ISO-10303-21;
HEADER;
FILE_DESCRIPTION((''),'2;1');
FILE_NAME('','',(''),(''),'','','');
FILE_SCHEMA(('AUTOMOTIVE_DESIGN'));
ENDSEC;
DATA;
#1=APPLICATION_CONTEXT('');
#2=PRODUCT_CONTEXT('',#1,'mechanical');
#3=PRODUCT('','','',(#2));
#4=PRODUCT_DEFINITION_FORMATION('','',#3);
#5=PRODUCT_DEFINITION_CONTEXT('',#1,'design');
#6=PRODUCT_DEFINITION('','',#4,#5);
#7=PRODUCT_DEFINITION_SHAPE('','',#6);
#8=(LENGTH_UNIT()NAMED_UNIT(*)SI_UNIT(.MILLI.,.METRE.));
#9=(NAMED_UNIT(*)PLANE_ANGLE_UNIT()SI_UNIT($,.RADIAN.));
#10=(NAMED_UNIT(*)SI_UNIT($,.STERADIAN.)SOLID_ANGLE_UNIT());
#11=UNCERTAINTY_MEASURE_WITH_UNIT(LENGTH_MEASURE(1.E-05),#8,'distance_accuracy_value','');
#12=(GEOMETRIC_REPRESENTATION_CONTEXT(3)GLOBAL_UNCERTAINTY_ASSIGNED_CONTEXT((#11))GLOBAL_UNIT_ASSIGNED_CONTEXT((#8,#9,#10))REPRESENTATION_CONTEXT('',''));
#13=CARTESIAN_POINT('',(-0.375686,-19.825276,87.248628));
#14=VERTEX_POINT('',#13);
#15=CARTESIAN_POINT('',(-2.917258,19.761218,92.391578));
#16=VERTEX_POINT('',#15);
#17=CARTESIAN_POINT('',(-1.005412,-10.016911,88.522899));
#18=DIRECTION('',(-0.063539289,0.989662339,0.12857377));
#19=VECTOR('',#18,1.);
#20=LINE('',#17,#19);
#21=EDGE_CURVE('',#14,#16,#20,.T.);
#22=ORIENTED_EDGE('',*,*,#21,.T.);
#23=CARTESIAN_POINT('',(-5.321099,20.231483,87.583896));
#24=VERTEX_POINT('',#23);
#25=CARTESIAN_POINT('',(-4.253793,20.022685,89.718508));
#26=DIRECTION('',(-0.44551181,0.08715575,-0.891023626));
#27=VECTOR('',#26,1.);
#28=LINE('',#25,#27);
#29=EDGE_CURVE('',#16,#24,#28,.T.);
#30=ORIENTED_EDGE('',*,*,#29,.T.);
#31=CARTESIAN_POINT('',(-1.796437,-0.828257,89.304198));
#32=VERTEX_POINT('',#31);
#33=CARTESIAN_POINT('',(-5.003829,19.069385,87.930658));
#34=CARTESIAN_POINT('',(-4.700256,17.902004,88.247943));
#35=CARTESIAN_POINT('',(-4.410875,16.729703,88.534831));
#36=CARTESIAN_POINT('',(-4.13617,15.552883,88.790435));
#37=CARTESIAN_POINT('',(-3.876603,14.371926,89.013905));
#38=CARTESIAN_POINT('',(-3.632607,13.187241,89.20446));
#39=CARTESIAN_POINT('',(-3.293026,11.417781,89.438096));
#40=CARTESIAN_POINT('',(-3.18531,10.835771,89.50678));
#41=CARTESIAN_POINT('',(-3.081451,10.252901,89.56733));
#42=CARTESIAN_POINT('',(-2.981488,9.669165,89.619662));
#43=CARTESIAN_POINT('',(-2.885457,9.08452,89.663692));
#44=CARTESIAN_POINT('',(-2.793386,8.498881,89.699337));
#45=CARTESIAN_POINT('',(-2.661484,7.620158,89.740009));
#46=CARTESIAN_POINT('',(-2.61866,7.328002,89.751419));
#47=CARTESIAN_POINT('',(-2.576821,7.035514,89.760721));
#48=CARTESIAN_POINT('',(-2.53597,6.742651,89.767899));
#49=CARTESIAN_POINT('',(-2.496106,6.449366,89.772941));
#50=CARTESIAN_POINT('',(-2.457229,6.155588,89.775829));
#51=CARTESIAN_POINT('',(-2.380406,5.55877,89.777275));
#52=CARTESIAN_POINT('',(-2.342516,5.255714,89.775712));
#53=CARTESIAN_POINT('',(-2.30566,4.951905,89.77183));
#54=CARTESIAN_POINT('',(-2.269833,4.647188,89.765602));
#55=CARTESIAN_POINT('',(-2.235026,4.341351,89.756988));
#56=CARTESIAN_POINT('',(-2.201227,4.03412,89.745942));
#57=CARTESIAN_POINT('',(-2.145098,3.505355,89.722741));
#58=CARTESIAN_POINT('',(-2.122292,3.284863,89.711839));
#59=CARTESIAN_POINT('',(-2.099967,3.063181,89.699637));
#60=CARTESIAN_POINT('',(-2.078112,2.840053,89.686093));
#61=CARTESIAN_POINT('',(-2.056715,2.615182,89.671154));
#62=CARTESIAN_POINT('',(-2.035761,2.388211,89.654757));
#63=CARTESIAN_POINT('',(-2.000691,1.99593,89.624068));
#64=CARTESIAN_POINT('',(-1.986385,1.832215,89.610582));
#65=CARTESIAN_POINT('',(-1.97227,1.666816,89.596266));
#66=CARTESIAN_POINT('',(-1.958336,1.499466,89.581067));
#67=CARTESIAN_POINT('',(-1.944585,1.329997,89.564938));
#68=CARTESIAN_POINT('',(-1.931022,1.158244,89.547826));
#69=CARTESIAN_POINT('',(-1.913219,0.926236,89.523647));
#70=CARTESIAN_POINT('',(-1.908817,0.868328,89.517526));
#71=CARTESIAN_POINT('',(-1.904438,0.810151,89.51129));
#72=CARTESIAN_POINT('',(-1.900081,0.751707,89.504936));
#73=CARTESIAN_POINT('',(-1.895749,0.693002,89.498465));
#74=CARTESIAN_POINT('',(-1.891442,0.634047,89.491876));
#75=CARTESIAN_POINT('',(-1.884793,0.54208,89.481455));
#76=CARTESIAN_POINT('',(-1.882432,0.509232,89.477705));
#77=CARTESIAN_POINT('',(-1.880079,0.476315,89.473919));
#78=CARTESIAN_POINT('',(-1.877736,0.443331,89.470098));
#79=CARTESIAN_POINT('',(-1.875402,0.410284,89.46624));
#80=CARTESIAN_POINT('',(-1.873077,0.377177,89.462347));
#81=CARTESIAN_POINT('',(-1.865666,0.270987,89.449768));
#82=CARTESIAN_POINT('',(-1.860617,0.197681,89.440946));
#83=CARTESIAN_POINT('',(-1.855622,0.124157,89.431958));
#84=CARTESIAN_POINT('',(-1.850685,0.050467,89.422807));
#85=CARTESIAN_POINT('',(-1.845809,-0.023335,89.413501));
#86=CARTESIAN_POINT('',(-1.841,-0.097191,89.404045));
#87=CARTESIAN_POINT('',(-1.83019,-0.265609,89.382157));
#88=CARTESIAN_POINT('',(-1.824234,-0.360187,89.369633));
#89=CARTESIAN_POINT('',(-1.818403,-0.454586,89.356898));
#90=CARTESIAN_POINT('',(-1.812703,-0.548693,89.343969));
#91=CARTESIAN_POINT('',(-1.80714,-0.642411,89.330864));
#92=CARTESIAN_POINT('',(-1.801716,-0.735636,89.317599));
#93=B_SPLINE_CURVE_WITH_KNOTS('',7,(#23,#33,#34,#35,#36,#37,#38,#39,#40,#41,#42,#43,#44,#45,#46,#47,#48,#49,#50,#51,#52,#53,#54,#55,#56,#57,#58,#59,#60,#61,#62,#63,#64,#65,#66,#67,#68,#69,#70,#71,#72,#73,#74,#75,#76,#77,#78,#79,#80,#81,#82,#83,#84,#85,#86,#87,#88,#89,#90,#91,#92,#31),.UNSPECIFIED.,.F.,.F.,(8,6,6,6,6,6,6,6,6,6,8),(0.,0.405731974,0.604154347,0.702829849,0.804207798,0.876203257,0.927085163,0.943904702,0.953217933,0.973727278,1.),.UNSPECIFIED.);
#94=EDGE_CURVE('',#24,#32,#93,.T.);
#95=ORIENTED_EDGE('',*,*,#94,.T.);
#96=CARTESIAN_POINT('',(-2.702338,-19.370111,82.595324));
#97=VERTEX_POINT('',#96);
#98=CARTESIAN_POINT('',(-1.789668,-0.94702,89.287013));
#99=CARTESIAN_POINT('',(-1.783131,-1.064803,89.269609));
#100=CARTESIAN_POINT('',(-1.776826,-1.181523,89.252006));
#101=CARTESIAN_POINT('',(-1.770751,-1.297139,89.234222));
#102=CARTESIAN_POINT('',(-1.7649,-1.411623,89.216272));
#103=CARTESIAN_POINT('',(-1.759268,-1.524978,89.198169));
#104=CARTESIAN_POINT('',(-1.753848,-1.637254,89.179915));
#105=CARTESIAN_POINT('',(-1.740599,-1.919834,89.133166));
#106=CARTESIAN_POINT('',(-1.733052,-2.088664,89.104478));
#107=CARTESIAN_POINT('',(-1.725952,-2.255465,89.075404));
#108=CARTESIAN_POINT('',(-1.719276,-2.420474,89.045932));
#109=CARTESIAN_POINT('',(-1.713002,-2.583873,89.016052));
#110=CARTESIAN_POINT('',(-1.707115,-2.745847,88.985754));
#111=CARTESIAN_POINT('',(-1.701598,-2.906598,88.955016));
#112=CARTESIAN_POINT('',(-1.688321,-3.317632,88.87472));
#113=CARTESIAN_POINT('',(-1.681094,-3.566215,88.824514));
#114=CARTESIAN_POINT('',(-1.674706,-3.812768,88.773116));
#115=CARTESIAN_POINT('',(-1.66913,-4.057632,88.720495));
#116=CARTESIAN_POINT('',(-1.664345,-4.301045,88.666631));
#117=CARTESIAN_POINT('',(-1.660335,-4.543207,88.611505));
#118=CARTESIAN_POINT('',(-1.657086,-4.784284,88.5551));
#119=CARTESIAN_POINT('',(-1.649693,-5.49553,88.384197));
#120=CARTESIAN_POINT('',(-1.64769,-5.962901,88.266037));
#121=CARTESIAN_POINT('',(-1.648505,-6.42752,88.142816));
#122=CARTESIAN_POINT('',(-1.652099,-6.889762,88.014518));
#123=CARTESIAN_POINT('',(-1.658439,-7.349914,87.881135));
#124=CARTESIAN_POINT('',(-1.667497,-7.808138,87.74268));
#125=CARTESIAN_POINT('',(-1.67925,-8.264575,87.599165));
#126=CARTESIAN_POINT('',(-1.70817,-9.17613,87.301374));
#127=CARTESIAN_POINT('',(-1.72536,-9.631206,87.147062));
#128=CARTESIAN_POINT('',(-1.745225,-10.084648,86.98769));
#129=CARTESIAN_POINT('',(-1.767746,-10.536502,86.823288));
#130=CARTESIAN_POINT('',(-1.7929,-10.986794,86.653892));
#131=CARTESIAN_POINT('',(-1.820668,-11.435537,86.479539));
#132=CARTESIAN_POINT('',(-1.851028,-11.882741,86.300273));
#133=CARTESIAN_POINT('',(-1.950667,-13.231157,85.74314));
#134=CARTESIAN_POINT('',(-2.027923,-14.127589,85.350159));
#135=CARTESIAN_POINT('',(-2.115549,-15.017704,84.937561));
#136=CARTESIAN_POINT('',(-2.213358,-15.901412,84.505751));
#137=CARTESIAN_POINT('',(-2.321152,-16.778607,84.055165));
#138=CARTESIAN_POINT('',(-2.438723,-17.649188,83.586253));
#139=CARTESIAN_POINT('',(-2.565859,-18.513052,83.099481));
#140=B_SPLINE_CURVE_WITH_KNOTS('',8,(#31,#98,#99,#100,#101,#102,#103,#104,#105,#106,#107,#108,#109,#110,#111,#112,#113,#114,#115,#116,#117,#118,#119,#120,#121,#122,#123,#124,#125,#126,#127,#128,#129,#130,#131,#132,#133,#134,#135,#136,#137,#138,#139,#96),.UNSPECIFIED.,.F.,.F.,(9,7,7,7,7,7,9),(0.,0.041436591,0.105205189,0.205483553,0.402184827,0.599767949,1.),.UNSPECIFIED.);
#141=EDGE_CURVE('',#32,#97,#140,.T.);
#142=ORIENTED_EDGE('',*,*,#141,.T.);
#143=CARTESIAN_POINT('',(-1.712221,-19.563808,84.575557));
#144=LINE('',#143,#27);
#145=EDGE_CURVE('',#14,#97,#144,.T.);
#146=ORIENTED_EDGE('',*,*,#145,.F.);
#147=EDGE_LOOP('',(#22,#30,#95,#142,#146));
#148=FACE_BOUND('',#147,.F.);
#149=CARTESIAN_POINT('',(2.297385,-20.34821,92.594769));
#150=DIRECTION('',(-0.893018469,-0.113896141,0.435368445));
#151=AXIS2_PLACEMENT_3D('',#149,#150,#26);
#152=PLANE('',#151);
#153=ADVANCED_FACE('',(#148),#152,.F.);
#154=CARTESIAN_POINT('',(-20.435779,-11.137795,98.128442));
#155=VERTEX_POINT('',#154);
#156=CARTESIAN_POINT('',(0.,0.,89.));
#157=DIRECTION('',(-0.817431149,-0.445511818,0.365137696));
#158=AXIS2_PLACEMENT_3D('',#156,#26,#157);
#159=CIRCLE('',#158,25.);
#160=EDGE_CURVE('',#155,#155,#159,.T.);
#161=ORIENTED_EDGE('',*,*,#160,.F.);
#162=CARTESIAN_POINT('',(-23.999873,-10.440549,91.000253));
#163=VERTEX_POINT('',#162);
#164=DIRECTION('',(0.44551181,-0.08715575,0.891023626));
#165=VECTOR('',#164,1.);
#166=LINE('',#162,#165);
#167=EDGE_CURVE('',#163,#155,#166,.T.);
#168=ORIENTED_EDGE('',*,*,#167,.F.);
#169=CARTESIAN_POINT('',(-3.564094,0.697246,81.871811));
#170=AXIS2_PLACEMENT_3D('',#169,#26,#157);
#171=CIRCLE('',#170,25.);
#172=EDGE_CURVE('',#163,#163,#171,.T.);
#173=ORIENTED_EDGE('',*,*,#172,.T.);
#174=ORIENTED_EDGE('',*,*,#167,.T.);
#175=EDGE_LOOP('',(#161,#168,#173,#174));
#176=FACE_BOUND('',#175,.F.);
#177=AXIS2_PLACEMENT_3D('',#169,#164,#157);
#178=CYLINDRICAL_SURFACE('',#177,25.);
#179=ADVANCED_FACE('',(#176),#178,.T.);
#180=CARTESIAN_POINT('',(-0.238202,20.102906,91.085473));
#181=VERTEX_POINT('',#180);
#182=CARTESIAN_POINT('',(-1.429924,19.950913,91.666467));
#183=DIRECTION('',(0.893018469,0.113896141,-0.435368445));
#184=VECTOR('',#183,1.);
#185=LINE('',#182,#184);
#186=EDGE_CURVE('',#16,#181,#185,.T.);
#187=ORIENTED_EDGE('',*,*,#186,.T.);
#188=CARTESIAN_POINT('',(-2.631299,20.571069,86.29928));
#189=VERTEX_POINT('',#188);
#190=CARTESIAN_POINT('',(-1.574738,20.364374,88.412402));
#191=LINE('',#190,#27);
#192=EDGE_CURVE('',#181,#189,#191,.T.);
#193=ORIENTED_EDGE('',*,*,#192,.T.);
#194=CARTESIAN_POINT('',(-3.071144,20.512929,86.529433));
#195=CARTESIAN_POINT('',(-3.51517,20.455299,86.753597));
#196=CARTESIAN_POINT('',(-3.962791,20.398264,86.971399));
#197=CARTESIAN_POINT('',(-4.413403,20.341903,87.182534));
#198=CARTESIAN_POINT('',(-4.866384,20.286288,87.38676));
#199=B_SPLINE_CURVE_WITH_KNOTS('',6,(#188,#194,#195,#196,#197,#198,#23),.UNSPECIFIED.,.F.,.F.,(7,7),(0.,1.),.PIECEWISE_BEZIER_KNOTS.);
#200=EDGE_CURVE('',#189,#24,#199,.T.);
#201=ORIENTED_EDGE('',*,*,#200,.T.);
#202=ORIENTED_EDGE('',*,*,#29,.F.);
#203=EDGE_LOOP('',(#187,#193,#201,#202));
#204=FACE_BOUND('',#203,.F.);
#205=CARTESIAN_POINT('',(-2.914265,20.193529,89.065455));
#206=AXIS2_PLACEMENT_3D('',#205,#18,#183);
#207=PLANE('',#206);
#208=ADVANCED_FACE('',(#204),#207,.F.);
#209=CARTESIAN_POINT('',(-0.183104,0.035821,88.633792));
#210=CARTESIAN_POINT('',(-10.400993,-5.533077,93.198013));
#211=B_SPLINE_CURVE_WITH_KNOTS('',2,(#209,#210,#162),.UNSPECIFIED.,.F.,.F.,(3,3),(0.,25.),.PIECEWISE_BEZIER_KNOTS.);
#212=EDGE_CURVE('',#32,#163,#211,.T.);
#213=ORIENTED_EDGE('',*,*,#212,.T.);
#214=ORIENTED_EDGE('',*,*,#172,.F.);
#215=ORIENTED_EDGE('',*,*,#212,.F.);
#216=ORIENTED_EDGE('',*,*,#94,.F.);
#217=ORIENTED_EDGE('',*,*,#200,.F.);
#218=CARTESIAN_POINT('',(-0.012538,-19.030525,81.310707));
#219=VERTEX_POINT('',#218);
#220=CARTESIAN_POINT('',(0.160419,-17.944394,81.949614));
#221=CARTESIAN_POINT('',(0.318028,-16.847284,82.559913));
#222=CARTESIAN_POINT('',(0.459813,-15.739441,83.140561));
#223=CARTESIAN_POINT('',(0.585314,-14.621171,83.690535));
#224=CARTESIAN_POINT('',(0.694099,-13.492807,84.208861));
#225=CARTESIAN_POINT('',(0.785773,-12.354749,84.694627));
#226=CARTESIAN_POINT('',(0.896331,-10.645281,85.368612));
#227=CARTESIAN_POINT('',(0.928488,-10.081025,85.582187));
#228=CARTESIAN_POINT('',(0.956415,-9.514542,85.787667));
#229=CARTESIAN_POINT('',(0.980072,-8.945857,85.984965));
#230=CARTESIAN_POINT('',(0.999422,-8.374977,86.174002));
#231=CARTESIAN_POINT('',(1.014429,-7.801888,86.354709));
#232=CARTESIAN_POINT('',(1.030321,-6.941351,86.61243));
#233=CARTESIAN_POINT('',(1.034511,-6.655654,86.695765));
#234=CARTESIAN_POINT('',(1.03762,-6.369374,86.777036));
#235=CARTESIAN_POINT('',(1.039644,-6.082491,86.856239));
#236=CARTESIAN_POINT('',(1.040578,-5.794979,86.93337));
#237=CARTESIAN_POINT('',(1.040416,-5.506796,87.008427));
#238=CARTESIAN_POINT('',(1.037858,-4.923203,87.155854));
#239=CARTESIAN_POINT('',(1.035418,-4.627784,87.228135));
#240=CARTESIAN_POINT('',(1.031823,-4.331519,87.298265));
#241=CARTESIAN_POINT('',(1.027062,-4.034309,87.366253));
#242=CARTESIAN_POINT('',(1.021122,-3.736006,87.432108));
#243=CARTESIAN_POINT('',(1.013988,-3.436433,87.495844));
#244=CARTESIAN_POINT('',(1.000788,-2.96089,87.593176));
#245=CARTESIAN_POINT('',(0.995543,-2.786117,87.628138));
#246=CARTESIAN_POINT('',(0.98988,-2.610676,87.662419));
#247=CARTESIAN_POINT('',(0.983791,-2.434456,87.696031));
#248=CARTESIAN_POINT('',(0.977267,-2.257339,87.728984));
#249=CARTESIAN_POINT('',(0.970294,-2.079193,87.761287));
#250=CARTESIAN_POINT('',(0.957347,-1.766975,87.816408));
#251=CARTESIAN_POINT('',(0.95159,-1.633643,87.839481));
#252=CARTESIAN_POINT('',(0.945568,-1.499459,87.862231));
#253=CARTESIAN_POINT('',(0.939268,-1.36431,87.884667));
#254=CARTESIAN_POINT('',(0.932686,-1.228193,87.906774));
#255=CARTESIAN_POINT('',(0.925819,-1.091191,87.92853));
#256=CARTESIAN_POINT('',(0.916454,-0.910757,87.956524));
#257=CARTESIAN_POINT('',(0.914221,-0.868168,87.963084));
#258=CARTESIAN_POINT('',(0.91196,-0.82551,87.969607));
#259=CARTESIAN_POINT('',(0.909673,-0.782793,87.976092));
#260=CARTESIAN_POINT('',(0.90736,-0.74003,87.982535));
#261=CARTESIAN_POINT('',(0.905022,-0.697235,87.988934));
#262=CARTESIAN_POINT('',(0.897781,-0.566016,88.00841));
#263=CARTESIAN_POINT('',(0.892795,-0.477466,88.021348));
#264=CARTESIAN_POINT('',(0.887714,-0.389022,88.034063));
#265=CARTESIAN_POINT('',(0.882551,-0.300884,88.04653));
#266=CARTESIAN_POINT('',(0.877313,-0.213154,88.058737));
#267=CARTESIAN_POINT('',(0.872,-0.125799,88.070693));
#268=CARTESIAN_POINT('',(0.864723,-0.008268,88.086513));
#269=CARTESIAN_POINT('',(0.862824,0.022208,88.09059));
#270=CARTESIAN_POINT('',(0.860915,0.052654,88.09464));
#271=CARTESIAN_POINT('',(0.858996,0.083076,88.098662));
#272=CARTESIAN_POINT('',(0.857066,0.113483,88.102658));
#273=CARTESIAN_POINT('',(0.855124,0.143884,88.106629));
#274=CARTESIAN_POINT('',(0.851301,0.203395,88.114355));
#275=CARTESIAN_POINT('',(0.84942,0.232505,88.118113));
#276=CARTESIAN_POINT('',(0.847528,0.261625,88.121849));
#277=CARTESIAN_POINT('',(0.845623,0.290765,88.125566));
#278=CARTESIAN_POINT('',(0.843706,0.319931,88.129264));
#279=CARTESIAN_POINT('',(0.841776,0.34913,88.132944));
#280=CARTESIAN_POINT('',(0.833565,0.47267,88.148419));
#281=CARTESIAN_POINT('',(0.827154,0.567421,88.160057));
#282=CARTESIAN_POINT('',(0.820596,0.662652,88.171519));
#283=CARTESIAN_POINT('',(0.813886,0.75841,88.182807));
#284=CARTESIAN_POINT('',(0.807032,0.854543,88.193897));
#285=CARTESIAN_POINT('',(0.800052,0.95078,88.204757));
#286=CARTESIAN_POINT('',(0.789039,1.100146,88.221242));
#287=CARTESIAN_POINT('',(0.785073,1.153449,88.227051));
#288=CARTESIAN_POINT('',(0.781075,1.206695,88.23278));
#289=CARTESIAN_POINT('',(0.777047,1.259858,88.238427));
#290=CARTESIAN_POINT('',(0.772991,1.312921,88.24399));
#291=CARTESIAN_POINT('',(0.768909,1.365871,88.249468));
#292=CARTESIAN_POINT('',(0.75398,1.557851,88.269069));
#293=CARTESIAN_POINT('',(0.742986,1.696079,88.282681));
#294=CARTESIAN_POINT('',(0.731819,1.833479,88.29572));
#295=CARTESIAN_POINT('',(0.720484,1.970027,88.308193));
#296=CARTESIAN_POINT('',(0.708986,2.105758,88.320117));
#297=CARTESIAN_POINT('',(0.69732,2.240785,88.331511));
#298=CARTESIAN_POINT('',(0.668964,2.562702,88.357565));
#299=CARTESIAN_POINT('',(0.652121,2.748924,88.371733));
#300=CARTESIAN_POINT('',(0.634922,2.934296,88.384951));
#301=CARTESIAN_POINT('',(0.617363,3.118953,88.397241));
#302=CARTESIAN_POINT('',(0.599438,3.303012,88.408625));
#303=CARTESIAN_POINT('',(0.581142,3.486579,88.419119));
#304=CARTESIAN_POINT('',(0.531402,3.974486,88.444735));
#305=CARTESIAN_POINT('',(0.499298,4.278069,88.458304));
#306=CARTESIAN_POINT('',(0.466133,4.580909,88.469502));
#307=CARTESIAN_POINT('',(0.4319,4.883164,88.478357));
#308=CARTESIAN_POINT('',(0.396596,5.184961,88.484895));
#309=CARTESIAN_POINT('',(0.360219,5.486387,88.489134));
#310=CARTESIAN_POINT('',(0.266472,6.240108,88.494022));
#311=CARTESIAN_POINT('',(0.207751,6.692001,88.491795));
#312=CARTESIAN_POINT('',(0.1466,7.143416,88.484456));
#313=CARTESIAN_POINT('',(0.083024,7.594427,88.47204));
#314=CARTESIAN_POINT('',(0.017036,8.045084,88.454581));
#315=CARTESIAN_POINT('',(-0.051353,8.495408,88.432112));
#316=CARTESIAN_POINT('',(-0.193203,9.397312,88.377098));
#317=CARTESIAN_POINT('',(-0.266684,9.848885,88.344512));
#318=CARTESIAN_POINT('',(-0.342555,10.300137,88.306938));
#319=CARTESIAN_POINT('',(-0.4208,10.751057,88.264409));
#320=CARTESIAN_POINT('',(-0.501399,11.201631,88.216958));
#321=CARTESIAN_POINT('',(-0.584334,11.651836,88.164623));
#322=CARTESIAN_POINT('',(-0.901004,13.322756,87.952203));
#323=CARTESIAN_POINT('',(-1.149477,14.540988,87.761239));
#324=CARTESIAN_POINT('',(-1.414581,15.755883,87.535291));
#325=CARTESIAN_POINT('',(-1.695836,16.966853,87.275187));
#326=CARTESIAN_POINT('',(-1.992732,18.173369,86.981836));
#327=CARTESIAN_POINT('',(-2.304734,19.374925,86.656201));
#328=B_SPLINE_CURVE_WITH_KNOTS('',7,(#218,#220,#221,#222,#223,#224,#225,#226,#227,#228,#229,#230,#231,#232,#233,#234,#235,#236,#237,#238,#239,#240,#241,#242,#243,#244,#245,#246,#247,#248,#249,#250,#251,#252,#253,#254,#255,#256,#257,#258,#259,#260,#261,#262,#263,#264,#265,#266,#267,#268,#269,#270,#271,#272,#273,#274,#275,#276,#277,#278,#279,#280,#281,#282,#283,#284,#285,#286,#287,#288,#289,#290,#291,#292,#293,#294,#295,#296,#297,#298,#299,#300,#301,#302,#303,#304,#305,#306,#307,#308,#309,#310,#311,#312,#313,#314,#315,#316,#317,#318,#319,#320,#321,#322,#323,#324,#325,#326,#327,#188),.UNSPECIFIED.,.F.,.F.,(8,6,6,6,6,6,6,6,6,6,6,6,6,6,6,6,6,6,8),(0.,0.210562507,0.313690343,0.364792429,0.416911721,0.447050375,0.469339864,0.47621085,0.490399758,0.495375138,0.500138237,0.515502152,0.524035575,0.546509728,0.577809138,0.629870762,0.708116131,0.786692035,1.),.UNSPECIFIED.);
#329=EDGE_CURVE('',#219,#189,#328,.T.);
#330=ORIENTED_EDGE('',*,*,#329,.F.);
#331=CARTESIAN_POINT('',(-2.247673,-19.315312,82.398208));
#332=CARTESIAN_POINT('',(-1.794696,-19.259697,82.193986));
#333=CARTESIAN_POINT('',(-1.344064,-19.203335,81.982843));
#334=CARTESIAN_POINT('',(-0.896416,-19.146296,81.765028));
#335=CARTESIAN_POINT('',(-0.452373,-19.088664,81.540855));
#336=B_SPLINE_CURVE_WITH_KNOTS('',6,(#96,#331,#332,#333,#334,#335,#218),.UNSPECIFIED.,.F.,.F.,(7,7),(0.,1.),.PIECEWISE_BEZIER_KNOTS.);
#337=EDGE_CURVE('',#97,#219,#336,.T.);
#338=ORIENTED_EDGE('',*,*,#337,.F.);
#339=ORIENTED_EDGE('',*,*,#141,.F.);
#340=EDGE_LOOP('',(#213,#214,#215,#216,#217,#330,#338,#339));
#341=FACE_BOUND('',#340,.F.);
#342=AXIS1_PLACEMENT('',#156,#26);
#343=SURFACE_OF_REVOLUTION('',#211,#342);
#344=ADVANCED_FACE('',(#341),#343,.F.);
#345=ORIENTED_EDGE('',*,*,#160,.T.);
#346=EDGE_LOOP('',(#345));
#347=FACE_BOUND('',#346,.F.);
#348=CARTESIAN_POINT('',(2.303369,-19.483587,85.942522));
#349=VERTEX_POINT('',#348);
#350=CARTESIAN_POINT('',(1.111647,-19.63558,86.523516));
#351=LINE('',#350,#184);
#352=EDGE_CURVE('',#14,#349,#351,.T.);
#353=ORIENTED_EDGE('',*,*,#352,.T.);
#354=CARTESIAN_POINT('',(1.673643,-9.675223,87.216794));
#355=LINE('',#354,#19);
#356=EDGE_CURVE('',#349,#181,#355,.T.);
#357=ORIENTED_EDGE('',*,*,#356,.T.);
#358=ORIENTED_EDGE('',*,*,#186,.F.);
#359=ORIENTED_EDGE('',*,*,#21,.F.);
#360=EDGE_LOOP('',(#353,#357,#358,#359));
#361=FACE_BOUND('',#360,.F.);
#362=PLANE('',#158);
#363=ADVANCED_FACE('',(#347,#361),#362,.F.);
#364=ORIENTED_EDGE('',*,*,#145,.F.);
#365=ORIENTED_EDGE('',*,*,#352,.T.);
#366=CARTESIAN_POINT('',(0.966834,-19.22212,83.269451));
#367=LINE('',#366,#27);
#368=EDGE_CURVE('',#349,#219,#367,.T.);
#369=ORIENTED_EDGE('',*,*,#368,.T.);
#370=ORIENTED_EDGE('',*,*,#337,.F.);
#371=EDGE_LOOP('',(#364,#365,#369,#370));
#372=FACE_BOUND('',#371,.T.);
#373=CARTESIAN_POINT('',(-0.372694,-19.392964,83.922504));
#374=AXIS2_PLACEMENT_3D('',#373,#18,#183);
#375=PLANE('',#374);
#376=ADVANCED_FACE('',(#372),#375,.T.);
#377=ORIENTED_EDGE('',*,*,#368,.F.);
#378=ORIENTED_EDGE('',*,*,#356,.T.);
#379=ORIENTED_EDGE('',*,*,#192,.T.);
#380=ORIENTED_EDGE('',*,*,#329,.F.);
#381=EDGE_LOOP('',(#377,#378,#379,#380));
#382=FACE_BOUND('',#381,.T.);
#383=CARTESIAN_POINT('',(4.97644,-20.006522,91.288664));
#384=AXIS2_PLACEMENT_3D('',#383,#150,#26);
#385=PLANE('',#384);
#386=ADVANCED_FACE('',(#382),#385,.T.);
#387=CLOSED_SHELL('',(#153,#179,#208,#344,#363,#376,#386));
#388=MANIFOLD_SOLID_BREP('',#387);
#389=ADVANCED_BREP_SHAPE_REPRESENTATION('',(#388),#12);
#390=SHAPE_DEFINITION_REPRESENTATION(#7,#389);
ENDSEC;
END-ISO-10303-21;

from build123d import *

# Parameters (mm, degrees)
BOX_W               = 3
BOX_H               = 18
BOX_DEPTH           = 40
BOX_PLACEMENT_ANGLE = 20
CUT_ROLL_ANGLE      = -73.158244
CUT_PITCH_ANGLE     = 21.416057
CUT_PLACEMENT_ANGLE = 28.591024


with BuildPart() as slot:
    # Box → Box (new body)
    with BuildSketch(Plane.XY):
        with Locations((1.5, 9)):
            Rectangle(BOX_W, BOX_H)
    extrude(amount=BOX_DEPTH)


with BuildPart() as slot_1:
    # Box placement: moved
    add(slot.part.moved(Location((-8.5, -6, -18))).rotate(Axis((-8.5, -6, -18), (0, 1, 0)), BOX_PLACEMENT_ANGLE))


with BuildPart() as soltted_parabolic_mirror:
    # Sketch → Revolve (revolve)
    with BuildSketch(Plane.XY):
        with BuildLine():
            Line((-25, 0), (0, 0))
            Line((0, 0), (0, 0.410997))
            add(Edge.make_bspline(
                [(0, 0.410997), (-12.5, 0.410997), (-25, 8)],
                knots=[0, 0, 0, 25, 25, 25], degree=2))
            Line((-25, 8), (-25, 0))
        make_face()
    revolve(axis=Axis((0, 0, 0), (0, 1, 0)))

    # Cut: cut slot
    add(slot_1.part, mode=Mode.SUBTRACT)


with BuildPart() as soltted_parabolic_mirror_1:
    # Cut roll: moved
    add(soltted_parabolic_mirror.part.rotate(Axis((0, 0, 0), (1, 0, 0)), CUT_ROLL_ANGLE))


with BuildPart() as soltted_parabolic_mirror_2:
    # Cut pitch: moved
    add(soltted_parabolic_mirror_1.part.rotate(Axis((0, 0, 0), (0, 1, 0)), CUT_PITCH_ANGLE))


with BuildPart() as soltted_parabolic_mirror_3:
    # Cut placement: moved
    add(soltted_parabolic_mirror_2.part.moved(Location((0, 0, 89))).rotate(Axis((0, 0, 89), (0, 0, 1)), CUT_PLACEMENT_ANGLE))


solid = soltted_parabolic_mirror_3.part
